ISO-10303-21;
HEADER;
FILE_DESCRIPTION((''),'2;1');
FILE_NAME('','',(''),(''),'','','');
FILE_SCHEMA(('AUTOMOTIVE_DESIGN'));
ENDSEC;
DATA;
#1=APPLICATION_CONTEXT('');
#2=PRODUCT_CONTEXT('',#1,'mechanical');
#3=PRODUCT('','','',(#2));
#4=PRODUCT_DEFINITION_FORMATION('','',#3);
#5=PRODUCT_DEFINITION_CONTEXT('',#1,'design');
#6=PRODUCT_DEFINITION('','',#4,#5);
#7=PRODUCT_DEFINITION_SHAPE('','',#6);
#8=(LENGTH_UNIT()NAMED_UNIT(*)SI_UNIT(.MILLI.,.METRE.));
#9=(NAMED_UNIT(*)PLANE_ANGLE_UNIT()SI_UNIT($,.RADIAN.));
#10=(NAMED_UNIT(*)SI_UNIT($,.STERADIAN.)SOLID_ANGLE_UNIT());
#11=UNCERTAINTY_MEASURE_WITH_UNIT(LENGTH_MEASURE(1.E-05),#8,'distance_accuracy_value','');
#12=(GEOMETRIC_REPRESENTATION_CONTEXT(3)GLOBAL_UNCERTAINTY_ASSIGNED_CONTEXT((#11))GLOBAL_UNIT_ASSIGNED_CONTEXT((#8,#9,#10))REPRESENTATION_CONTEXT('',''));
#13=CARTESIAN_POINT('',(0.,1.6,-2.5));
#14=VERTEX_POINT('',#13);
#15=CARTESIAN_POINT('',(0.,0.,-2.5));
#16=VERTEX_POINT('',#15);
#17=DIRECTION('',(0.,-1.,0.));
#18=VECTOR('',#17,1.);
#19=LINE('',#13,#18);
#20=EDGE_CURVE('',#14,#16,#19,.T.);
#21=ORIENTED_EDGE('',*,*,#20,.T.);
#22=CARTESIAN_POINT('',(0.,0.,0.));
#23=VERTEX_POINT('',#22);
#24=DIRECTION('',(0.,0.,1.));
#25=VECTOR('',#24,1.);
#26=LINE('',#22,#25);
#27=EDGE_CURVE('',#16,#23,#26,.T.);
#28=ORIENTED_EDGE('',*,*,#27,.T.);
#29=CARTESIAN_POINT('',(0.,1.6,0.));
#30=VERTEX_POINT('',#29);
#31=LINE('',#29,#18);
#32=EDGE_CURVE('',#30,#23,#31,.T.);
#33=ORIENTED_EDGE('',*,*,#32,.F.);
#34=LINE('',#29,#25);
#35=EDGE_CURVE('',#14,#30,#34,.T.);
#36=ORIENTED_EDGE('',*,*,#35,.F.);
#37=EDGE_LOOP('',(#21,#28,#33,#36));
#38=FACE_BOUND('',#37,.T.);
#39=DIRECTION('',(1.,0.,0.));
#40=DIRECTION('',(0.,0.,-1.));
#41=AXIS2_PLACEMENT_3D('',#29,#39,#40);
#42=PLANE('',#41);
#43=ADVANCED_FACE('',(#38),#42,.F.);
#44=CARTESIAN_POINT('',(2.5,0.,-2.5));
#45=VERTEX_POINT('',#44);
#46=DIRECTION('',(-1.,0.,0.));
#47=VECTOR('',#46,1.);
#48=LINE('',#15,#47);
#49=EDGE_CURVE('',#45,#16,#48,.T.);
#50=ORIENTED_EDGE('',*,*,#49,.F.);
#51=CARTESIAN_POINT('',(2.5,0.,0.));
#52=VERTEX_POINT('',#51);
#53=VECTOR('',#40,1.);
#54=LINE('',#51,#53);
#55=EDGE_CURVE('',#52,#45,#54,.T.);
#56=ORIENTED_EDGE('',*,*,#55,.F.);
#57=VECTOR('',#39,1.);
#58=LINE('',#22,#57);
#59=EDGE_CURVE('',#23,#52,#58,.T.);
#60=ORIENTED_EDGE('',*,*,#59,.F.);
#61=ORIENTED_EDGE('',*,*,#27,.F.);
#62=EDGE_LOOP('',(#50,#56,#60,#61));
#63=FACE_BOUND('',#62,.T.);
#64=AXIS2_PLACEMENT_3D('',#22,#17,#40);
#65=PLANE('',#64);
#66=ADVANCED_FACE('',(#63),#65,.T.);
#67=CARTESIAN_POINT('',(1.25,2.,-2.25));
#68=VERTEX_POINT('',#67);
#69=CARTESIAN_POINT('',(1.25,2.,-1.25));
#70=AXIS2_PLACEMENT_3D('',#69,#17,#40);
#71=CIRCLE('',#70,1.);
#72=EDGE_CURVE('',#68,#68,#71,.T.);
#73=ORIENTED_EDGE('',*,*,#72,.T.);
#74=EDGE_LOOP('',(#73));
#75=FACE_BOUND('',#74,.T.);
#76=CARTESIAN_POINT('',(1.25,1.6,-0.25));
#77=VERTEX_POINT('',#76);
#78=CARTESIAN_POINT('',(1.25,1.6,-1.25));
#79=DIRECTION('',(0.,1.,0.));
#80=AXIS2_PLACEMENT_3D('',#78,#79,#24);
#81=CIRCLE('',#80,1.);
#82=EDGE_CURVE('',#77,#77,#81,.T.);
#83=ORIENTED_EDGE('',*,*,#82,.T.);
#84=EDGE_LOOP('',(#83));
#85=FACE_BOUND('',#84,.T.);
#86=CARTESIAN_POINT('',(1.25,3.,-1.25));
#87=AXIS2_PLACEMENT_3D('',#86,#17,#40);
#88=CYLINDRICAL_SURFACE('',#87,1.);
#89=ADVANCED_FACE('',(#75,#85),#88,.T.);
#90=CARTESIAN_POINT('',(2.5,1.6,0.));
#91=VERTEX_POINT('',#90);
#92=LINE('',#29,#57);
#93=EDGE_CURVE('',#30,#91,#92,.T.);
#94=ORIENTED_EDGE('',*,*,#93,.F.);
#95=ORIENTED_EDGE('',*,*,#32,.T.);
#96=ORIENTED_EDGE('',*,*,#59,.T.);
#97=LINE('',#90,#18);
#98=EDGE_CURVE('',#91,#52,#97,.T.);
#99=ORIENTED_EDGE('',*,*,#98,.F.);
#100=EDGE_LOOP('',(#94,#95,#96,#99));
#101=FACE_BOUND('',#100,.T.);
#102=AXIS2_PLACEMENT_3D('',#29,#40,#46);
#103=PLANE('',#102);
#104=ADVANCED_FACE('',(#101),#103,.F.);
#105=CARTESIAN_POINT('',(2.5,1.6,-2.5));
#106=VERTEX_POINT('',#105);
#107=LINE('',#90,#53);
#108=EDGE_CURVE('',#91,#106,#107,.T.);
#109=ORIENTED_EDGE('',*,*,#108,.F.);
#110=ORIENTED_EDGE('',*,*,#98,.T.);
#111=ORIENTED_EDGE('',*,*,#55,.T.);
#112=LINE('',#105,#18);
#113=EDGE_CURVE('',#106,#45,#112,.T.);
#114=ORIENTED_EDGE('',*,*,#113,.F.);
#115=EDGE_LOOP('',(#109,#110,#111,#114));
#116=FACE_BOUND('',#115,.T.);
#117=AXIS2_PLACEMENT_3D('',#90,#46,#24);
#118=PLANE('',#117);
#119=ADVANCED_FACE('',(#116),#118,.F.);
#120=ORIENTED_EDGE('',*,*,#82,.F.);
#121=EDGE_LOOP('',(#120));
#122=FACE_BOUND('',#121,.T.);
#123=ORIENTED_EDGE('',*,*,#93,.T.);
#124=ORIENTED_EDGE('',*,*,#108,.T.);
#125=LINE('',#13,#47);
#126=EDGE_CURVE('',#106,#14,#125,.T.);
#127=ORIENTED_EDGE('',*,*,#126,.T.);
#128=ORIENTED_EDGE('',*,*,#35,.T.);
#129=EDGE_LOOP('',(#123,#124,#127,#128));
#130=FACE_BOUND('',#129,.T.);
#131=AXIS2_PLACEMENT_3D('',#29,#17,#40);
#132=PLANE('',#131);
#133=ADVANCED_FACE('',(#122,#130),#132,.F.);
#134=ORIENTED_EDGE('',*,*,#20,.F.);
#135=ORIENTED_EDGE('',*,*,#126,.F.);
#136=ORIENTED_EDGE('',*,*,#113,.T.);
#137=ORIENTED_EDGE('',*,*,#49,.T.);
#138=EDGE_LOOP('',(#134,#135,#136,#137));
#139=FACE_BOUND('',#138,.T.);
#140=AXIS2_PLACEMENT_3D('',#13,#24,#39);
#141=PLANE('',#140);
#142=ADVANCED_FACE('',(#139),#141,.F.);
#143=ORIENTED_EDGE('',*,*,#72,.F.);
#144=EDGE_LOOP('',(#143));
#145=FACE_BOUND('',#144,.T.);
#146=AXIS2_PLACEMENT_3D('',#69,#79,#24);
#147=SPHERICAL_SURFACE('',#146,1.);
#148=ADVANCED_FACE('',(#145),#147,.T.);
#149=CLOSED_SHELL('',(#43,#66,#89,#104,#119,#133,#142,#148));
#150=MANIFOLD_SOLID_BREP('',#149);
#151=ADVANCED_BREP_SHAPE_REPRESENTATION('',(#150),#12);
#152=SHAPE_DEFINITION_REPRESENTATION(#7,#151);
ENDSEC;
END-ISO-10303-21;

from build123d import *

# Parameters (mm, degrees)
SKETCH1_W           = 2.5
SKETCH1_H           = 2.5
BOSS_EXTRUDE1_DEPTH = 1.6
SKETCH2_R           = 1
BOSS_EXTRUDE2_DEPTH = 1.4
FILLET1_R           = 1


with BuildPart() as part:
    # Sketch1 → Boss-Extrude1 (new body)
    with BuildSketch(Plane(origin=(0, 0, 0), x_dir=(1, 0, 0), z_dir=(0, 1, 0))):
        with Locations((1.25, 1.25)):
            Rectangle(SKETCH1_W, SKETCH1_H)
    extrude(amount=BOSS_EXTRUDE1_DEPTH)

    # Sketch2 → Boss-Extrude2 (add)
    with BuildSketch(Plane(origin=(0, 1.6, 0), x_dir=(1, 0, 0), z_dir=(0, 1, 0))):
        with Locations(Location((1.25, 1.25, 0), (0, 0, 270))):
            Circle(SKETCH2_R)
    extrude(amount=BOSS_EXTRUDE2_DEPTH)

    # Fillet1
    fillet1_edges = [part.edges().sort_by_distance(p)[0] for p in [
        (1.25, 3, -2.25),
    ]]
    fillet(fillet1_edges, radius=FILLET1_R)


solid = part.part
